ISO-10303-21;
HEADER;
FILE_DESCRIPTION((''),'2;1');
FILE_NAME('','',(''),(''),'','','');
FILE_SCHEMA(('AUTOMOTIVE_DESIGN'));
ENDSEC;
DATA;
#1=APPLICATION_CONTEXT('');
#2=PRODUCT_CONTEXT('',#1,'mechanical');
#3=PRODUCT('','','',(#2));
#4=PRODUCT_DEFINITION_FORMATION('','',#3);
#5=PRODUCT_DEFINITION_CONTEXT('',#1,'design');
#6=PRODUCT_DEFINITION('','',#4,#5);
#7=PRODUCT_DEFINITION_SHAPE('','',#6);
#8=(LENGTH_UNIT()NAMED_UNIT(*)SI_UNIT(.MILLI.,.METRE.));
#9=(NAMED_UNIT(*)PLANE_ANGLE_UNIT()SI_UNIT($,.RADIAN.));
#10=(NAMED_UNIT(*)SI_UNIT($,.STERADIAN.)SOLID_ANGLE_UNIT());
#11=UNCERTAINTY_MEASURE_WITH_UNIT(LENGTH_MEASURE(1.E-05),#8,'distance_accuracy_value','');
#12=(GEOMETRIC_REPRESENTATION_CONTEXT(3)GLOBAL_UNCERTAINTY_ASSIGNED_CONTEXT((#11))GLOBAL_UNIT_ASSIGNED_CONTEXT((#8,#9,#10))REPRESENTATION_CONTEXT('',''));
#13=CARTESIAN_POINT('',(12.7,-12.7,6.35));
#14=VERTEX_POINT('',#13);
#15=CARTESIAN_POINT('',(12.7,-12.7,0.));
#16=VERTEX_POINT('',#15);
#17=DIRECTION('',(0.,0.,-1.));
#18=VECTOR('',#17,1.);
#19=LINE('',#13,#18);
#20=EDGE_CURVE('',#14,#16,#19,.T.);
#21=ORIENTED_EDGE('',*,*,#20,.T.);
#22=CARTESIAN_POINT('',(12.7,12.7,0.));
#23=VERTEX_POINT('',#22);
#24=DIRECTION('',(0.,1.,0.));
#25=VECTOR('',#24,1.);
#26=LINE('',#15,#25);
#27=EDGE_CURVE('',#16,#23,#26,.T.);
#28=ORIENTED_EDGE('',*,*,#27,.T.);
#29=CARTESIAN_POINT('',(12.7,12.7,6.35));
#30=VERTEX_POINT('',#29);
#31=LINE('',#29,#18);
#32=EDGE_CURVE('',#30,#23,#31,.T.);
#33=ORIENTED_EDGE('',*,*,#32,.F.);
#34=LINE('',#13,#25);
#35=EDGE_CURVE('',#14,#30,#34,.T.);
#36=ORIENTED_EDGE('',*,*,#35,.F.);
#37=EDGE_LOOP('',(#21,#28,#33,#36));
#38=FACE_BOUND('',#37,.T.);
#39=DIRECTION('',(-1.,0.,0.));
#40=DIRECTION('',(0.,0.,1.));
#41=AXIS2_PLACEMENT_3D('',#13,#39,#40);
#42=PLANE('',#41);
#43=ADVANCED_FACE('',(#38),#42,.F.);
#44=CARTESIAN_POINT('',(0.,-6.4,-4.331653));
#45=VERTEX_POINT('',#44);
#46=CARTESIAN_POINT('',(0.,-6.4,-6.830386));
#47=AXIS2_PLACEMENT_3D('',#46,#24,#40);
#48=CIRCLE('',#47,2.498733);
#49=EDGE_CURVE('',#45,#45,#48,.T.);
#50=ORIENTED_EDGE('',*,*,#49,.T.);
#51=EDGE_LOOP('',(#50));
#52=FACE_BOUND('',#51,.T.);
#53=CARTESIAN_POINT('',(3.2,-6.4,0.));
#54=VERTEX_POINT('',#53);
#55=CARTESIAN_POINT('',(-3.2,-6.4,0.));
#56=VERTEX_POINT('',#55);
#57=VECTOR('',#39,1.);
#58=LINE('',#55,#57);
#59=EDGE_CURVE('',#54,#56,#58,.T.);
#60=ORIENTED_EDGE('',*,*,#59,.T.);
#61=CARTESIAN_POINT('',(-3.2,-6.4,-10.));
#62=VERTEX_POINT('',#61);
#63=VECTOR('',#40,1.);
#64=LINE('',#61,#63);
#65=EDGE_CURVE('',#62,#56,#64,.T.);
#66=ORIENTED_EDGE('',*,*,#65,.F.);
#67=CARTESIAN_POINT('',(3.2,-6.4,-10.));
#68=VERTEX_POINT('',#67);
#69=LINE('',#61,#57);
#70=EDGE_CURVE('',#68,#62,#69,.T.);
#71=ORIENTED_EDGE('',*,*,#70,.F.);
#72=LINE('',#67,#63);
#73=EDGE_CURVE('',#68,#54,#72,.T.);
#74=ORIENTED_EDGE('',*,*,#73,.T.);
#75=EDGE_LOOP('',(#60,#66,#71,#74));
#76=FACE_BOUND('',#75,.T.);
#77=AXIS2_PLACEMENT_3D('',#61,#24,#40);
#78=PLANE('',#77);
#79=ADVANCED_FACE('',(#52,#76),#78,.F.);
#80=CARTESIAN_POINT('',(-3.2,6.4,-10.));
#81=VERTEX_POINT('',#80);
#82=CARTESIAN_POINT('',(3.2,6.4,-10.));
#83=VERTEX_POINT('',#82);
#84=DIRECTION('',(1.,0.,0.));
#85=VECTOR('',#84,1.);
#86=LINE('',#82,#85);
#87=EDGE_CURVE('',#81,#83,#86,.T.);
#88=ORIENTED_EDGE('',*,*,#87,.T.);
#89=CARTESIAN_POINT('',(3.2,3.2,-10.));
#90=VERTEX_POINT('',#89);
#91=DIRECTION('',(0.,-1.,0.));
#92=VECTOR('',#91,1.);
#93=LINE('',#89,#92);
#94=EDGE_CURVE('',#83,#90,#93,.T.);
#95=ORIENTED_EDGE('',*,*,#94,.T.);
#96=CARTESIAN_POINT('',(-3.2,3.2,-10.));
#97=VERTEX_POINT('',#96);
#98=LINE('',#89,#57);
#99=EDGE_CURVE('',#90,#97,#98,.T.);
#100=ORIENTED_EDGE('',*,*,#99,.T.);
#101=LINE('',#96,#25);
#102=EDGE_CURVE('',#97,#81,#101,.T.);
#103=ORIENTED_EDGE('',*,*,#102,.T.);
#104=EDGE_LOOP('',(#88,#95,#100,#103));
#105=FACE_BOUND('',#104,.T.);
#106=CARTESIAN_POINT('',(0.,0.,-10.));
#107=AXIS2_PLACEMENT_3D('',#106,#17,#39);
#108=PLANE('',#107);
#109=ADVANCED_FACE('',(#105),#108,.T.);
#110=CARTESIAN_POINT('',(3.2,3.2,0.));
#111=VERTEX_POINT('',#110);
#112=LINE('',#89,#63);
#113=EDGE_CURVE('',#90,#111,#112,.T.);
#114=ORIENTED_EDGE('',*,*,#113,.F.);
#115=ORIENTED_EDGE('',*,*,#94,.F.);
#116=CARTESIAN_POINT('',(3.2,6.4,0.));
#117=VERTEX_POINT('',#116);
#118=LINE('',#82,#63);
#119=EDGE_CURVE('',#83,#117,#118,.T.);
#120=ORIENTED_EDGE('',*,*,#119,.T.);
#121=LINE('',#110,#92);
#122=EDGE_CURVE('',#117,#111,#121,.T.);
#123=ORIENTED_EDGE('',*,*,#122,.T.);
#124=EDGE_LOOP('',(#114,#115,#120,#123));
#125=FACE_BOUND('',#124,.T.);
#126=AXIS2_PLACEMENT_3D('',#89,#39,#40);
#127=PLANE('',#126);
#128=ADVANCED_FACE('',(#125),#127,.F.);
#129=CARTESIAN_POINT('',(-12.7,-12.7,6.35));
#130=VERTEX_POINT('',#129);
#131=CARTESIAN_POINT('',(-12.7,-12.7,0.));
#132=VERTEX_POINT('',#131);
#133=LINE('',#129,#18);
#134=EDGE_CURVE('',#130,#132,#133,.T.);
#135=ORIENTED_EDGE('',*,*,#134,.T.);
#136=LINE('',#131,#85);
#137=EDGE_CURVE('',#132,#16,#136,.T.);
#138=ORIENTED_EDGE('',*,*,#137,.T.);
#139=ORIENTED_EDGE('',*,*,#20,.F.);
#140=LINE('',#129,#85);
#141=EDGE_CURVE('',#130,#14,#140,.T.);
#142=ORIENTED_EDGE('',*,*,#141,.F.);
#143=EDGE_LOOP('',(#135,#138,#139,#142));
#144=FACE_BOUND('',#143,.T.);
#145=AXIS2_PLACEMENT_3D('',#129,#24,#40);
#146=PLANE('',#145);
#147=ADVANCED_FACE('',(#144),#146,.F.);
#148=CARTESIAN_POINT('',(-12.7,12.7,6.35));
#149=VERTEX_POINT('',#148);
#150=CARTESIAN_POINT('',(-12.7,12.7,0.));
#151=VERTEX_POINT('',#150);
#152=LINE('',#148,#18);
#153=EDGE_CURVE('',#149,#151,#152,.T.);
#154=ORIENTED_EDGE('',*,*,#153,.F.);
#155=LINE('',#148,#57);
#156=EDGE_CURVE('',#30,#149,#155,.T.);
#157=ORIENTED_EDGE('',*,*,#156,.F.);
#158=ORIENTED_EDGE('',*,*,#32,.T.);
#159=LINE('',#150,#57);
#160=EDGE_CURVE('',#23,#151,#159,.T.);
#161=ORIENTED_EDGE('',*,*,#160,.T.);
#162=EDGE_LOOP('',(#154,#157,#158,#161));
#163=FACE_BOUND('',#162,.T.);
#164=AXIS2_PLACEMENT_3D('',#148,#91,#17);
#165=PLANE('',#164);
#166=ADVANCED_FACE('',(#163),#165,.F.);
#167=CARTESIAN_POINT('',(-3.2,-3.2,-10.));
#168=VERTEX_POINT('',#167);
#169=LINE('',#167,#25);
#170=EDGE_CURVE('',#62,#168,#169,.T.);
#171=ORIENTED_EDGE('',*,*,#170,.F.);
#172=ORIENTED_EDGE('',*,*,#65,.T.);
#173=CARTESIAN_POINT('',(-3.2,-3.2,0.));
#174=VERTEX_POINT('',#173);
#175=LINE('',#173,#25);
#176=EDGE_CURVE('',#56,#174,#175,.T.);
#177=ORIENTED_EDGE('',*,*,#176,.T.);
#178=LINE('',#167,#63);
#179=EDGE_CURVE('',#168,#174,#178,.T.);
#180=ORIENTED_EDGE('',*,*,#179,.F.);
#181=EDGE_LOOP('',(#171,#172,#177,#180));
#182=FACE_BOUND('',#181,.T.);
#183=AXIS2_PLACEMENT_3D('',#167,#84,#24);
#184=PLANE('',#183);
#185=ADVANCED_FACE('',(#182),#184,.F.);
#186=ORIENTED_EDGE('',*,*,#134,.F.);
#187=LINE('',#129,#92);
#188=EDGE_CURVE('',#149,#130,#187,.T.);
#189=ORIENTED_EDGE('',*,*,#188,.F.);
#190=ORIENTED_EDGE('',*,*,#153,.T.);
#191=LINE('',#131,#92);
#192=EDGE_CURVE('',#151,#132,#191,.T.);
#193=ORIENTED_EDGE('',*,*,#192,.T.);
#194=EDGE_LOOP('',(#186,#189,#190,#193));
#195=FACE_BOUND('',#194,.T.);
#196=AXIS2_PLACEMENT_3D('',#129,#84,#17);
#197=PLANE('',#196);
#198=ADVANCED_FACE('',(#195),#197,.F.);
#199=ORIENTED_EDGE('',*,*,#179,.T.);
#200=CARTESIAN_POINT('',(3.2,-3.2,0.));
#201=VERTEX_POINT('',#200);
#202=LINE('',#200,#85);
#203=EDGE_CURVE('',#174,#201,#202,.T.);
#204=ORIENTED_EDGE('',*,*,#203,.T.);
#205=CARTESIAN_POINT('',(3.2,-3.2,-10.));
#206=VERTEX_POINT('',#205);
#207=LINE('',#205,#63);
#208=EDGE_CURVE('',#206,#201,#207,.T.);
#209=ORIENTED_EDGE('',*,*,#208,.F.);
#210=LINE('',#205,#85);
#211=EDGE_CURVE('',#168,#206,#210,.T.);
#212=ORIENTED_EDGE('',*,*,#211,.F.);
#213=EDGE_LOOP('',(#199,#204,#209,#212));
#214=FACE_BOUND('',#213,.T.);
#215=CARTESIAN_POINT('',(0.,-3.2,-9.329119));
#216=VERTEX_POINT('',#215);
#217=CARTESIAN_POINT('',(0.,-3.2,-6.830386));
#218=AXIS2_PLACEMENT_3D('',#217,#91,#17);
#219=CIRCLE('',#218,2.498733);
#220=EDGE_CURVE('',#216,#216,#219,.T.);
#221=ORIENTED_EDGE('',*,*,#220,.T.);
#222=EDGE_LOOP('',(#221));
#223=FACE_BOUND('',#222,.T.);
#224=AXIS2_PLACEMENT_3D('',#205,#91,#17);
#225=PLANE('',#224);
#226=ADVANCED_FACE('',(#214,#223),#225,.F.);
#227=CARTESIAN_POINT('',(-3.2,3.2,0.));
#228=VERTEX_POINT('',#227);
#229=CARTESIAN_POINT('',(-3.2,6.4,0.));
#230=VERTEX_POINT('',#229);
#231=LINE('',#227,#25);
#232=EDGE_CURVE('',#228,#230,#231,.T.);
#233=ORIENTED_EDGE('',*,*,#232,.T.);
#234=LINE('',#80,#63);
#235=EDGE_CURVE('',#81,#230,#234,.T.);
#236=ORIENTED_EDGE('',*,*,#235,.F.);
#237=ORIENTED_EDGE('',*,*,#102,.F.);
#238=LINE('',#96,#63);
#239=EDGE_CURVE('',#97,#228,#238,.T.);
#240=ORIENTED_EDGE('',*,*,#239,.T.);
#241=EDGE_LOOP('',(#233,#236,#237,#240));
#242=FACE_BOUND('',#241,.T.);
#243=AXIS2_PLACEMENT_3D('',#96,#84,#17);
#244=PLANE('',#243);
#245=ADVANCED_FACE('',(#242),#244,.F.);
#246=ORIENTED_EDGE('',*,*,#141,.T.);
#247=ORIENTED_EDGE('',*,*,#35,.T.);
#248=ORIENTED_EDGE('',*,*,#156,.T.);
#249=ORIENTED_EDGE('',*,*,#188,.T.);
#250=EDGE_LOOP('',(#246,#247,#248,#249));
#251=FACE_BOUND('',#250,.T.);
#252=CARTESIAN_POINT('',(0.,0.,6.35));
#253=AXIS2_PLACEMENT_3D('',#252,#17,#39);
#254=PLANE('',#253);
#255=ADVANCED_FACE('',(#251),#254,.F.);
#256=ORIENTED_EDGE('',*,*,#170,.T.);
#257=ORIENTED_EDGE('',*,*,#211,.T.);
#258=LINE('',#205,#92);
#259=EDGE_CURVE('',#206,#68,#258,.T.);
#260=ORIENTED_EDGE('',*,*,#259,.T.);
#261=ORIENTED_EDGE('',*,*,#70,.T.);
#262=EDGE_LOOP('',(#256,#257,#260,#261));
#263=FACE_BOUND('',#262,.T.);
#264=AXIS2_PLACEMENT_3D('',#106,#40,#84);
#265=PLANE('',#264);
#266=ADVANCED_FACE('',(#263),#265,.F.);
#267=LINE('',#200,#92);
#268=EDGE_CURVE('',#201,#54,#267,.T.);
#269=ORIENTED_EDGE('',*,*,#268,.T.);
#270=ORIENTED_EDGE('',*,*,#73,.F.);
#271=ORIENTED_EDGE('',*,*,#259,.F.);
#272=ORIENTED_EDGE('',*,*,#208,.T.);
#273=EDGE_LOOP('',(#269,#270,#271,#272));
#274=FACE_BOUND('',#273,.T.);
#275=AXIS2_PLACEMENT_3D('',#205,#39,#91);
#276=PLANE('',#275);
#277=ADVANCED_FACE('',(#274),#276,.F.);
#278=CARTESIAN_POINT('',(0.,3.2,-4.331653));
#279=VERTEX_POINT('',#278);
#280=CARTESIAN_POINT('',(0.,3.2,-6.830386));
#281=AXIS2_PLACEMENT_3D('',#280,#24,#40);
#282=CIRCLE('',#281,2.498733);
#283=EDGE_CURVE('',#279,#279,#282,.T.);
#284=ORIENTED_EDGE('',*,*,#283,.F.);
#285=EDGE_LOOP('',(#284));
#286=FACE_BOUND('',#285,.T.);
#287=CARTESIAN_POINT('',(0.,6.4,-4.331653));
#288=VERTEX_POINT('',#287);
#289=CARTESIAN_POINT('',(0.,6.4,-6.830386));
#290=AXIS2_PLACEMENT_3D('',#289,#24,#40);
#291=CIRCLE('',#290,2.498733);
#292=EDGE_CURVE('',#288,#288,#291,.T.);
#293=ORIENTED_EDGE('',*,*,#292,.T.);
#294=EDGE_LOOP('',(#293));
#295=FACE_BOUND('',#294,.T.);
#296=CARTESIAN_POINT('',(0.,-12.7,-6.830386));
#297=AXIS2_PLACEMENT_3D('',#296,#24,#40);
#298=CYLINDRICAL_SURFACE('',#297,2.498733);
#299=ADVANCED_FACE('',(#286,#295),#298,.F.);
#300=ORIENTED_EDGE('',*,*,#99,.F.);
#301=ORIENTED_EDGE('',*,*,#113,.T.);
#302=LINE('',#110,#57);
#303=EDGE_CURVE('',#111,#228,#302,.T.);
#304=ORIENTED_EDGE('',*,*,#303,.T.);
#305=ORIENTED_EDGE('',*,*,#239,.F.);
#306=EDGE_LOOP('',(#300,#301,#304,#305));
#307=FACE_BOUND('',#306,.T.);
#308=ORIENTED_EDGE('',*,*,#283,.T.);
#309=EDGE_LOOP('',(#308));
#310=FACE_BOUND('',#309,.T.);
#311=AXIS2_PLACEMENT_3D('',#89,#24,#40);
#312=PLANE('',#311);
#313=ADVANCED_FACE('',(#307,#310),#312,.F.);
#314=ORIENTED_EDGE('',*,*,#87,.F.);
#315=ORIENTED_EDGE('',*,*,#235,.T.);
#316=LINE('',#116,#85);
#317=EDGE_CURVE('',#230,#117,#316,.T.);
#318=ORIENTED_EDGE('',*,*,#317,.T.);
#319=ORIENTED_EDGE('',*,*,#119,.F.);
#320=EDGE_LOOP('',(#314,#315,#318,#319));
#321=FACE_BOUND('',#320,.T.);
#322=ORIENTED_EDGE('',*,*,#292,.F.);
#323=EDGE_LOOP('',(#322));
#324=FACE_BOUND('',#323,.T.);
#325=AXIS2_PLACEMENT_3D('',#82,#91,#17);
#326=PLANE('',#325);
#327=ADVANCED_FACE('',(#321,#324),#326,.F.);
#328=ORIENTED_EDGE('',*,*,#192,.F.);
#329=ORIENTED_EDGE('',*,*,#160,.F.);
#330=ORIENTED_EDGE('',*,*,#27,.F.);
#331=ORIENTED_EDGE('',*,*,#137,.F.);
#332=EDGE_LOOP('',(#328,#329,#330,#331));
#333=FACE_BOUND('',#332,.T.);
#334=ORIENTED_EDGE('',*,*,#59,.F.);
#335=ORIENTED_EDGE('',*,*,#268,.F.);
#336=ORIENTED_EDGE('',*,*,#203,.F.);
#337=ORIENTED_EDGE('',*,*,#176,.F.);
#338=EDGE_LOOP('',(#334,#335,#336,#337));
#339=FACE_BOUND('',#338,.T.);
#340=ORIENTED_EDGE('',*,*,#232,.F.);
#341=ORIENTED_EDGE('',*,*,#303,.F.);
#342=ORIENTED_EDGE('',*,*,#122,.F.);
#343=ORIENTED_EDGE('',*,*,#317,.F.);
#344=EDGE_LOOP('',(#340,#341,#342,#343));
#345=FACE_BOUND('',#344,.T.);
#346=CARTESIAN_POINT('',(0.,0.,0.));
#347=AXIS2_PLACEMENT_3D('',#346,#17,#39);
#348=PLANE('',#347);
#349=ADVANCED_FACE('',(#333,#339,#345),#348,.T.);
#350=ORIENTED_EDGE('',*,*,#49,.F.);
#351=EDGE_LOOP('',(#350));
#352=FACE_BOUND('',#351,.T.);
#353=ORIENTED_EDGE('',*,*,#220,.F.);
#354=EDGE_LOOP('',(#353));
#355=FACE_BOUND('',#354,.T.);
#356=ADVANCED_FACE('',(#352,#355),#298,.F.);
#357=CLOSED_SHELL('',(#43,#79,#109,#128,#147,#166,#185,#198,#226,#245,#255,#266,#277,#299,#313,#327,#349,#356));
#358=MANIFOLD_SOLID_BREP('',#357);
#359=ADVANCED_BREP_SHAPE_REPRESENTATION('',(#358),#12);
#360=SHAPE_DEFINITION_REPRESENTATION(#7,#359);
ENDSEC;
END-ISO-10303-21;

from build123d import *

# Parameters (mm, degrees)
SKETCH1_W           = 25.4
SKETCH1_H           = 25.4
BOSS_EXTRUDE1_DEPTH = 6.35
SKETCH2_W           = 6.4
SKETCH2_H           = 3.2
BOSS_EXTRUDE2_DEPTH = 10
SKETCH3_R           = 2.498733
CUT_EXTRUDE1_DEPTH  = 20.1


with BuildPart() as part:
    # Sketch1 → Boss-Extrude1 (new body)
    with BuildSketch(Plane.XY):
        Rectangle(SKETCH1_W, SKETCH1_H)
    extrude(amount=BOSS_EXTRUDE1_DEPTH)

    # Sketch2 → Boss-Extrude2 (add)
    with BuildSketch(Plane(origin=(0, 0, 0), x_dir=(-1, 0, 0), z_dir=(0, 0, -1))):
        with Locations((0, 4.8)):
            Rectangle(SKETCH2_W, SKETCH2_H)
        with Locations((0, -4.8)):
            Rectangle(SKETCH2_W, SKETCH2_H)
    extrude(amount=BOSS_EXTRUDE2_DEPTH)

    # Sketch3 → Cut-Extrude1 (cut, through all)
    with BuildSketch(Plane(origin=(0, 6.4, 0), x_dir=(1, 0, 0), z_dir=(0, 1, 0))):
        with Locations((0, 6.830385607)):
            Circle(SKETCH3_R)
    extrude(amount=-CUT_EXTRUDE1_DEPTH, mode=Mode.SUBTRACT)


solid = part.part
